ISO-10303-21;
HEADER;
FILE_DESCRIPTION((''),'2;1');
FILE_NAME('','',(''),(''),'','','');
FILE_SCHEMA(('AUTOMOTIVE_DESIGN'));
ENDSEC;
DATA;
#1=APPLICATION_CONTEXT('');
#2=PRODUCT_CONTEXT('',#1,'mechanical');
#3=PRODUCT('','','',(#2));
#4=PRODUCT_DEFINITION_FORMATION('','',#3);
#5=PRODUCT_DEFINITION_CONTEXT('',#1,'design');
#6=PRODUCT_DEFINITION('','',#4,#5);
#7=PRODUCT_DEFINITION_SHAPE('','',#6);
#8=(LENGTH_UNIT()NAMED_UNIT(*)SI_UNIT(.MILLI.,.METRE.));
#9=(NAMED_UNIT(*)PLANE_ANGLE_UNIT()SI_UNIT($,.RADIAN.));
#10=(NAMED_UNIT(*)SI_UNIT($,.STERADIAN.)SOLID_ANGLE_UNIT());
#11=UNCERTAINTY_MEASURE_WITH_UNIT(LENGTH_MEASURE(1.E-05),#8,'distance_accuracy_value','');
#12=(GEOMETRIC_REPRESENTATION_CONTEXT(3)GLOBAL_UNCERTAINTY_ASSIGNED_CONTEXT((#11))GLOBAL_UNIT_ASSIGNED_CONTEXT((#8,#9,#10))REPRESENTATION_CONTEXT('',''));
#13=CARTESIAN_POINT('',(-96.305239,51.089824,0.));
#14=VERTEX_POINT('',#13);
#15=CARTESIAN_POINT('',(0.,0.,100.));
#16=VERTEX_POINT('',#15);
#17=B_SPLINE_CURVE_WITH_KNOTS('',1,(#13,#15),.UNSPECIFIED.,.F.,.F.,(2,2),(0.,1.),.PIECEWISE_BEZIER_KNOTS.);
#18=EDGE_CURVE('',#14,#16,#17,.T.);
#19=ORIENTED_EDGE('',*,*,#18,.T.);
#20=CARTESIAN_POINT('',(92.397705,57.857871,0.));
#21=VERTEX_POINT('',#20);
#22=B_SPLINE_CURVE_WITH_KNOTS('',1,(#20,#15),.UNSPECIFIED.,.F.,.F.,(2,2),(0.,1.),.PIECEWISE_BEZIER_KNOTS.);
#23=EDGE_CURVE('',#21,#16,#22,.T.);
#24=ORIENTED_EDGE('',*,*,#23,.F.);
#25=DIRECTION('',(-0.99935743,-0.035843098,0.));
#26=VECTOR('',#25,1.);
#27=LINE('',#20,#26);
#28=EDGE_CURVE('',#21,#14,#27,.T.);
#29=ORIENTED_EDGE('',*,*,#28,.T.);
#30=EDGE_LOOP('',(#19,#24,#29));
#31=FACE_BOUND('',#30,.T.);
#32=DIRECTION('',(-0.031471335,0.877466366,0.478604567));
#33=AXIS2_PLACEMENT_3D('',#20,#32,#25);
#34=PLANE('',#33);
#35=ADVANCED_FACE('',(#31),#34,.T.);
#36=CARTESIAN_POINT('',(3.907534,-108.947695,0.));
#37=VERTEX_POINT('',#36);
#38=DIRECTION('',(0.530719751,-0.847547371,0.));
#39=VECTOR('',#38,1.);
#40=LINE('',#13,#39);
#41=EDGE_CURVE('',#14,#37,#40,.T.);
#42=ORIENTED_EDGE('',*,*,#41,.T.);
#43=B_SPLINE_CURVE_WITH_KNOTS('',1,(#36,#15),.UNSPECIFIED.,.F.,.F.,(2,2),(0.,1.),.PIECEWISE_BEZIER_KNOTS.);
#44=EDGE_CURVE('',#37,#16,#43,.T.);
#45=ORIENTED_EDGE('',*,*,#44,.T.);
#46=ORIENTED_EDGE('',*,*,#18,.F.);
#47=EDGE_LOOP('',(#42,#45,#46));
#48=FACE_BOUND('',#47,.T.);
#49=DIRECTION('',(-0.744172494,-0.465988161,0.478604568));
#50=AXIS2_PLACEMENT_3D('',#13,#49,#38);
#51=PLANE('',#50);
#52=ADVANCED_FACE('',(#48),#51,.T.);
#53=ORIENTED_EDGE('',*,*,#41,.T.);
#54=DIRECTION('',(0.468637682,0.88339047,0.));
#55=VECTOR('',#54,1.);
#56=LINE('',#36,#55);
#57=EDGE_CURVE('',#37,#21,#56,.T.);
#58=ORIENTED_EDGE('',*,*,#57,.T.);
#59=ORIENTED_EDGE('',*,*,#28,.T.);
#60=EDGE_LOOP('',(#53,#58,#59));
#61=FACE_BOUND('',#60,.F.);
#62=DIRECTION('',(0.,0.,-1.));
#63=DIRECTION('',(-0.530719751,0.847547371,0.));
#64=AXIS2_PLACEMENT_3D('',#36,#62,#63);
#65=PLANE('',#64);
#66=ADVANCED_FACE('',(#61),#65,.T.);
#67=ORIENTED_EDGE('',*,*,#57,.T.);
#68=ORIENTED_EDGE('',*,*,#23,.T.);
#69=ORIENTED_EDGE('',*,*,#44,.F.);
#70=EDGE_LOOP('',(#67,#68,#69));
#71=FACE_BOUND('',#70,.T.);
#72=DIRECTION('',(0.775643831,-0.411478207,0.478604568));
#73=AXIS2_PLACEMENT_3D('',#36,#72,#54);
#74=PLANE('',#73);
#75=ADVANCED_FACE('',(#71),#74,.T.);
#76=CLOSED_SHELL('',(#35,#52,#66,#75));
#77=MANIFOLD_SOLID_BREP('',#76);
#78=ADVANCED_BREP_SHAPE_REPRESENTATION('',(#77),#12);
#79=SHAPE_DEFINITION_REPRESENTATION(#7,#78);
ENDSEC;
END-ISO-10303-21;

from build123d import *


with BuildPart() as f3:
    # F0 (on Top) → F3 section 0
    with BuildSketch(Plane.XY, mode=Mode.PRIVATE) as f3_s0:
        Polygon((3.907534, -108.947695), (92.397705, 57.857871), (-96.305239, 51.089824), align=None)
    loft([f3_s0.sketch, Vertex(0, 0, 100)])


solid = f3.part
